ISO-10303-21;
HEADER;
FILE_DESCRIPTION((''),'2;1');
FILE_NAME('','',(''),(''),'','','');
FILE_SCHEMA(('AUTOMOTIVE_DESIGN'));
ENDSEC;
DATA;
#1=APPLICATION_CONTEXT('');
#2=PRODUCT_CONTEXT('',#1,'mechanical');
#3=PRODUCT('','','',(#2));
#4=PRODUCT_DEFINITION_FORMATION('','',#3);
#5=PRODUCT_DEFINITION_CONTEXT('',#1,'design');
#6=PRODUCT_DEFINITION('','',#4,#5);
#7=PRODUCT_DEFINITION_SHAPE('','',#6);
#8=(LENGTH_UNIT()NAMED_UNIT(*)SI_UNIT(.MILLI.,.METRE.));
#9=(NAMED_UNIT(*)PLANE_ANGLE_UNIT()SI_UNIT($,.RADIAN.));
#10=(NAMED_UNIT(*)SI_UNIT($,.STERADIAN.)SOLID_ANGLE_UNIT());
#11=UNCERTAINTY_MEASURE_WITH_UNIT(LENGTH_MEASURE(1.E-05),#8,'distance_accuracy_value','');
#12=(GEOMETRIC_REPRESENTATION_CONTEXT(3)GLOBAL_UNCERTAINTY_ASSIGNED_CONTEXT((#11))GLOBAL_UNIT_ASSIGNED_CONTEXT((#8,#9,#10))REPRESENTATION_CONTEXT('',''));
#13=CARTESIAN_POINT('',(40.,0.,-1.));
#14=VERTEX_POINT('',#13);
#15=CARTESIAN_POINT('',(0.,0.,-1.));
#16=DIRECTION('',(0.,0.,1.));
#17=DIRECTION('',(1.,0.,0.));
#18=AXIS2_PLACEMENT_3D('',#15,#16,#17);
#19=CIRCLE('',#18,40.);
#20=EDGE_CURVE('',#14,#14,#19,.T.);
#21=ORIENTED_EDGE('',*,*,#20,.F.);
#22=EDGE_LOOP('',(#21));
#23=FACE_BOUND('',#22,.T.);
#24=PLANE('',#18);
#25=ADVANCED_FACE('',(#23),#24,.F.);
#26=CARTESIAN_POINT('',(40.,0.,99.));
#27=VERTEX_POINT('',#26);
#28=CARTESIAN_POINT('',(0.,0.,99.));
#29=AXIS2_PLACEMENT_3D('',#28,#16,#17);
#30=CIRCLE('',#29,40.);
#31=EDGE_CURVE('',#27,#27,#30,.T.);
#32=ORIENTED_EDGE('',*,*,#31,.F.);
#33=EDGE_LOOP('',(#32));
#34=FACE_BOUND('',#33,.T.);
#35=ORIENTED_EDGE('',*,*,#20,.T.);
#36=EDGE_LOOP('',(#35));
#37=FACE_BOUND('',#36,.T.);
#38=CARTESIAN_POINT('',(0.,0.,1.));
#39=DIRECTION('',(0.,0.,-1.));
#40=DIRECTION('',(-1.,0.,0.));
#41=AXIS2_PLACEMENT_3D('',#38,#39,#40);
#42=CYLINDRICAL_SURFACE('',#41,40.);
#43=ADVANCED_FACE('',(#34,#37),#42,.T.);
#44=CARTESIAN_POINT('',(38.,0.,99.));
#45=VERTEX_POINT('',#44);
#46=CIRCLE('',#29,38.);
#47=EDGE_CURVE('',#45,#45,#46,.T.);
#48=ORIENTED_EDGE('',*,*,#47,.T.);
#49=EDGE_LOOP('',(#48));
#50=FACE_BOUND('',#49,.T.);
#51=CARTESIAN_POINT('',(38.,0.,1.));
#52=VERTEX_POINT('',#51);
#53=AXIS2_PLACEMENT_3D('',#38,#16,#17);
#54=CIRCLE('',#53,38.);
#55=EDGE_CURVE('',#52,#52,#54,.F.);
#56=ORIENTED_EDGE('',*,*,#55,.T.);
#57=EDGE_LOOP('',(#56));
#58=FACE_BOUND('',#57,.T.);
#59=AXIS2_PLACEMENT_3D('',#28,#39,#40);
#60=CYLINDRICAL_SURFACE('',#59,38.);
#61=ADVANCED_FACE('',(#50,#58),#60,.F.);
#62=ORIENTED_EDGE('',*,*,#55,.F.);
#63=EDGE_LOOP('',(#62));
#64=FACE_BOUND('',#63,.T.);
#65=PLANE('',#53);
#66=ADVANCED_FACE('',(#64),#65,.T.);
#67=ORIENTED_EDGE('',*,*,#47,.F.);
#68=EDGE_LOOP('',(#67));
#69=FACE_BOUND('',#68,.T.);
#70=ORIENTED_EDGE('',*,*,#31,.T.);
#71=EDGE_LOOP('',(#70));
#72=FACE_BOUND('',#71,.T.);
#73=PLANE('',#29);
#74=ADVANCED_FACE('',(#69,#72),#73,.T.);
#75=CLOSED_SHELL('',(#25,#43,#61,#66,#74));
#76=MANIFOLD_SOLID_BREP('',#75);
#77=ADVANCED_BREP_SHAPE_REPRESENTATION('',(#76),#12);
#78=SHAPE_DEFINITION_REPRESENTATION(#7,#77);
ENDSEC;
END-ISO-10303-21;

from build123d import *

# Parameters (mm, degrees)
SKETCH1_R           = 40
BOSS_EXTRUDE1_DEPTH = 1
BOSS_EXTRUDE2_START = 98
SKETCH2_R           = 40
SKETCH2_R_2         = 38
BOSS_EXTRUDE2_DEPTH = 98


with BuildPart() as part:
    # Sketch1 → Boss-Extrude1 (new, symmetric)
    with BuildSketch(Plane.XY):
        Circle(SKETCH1_R)
    extrude(amount=BOSS_EXTRUDE1_DEPTH, both=True)

    # Sketch2 → Boss-Extrude2 (add)
    with BuildSketch(Plane.XY.offset(1).offset(BOSS_EXTRUDE2_START)):
        Circle(SKETCH2_R)
        Circle(SKETCH2_R_2, mode=Mode.SUBTRACT)
    extrude(amount=-BOSS_EXTRUDE2_DEPTH)


solid = part.part
